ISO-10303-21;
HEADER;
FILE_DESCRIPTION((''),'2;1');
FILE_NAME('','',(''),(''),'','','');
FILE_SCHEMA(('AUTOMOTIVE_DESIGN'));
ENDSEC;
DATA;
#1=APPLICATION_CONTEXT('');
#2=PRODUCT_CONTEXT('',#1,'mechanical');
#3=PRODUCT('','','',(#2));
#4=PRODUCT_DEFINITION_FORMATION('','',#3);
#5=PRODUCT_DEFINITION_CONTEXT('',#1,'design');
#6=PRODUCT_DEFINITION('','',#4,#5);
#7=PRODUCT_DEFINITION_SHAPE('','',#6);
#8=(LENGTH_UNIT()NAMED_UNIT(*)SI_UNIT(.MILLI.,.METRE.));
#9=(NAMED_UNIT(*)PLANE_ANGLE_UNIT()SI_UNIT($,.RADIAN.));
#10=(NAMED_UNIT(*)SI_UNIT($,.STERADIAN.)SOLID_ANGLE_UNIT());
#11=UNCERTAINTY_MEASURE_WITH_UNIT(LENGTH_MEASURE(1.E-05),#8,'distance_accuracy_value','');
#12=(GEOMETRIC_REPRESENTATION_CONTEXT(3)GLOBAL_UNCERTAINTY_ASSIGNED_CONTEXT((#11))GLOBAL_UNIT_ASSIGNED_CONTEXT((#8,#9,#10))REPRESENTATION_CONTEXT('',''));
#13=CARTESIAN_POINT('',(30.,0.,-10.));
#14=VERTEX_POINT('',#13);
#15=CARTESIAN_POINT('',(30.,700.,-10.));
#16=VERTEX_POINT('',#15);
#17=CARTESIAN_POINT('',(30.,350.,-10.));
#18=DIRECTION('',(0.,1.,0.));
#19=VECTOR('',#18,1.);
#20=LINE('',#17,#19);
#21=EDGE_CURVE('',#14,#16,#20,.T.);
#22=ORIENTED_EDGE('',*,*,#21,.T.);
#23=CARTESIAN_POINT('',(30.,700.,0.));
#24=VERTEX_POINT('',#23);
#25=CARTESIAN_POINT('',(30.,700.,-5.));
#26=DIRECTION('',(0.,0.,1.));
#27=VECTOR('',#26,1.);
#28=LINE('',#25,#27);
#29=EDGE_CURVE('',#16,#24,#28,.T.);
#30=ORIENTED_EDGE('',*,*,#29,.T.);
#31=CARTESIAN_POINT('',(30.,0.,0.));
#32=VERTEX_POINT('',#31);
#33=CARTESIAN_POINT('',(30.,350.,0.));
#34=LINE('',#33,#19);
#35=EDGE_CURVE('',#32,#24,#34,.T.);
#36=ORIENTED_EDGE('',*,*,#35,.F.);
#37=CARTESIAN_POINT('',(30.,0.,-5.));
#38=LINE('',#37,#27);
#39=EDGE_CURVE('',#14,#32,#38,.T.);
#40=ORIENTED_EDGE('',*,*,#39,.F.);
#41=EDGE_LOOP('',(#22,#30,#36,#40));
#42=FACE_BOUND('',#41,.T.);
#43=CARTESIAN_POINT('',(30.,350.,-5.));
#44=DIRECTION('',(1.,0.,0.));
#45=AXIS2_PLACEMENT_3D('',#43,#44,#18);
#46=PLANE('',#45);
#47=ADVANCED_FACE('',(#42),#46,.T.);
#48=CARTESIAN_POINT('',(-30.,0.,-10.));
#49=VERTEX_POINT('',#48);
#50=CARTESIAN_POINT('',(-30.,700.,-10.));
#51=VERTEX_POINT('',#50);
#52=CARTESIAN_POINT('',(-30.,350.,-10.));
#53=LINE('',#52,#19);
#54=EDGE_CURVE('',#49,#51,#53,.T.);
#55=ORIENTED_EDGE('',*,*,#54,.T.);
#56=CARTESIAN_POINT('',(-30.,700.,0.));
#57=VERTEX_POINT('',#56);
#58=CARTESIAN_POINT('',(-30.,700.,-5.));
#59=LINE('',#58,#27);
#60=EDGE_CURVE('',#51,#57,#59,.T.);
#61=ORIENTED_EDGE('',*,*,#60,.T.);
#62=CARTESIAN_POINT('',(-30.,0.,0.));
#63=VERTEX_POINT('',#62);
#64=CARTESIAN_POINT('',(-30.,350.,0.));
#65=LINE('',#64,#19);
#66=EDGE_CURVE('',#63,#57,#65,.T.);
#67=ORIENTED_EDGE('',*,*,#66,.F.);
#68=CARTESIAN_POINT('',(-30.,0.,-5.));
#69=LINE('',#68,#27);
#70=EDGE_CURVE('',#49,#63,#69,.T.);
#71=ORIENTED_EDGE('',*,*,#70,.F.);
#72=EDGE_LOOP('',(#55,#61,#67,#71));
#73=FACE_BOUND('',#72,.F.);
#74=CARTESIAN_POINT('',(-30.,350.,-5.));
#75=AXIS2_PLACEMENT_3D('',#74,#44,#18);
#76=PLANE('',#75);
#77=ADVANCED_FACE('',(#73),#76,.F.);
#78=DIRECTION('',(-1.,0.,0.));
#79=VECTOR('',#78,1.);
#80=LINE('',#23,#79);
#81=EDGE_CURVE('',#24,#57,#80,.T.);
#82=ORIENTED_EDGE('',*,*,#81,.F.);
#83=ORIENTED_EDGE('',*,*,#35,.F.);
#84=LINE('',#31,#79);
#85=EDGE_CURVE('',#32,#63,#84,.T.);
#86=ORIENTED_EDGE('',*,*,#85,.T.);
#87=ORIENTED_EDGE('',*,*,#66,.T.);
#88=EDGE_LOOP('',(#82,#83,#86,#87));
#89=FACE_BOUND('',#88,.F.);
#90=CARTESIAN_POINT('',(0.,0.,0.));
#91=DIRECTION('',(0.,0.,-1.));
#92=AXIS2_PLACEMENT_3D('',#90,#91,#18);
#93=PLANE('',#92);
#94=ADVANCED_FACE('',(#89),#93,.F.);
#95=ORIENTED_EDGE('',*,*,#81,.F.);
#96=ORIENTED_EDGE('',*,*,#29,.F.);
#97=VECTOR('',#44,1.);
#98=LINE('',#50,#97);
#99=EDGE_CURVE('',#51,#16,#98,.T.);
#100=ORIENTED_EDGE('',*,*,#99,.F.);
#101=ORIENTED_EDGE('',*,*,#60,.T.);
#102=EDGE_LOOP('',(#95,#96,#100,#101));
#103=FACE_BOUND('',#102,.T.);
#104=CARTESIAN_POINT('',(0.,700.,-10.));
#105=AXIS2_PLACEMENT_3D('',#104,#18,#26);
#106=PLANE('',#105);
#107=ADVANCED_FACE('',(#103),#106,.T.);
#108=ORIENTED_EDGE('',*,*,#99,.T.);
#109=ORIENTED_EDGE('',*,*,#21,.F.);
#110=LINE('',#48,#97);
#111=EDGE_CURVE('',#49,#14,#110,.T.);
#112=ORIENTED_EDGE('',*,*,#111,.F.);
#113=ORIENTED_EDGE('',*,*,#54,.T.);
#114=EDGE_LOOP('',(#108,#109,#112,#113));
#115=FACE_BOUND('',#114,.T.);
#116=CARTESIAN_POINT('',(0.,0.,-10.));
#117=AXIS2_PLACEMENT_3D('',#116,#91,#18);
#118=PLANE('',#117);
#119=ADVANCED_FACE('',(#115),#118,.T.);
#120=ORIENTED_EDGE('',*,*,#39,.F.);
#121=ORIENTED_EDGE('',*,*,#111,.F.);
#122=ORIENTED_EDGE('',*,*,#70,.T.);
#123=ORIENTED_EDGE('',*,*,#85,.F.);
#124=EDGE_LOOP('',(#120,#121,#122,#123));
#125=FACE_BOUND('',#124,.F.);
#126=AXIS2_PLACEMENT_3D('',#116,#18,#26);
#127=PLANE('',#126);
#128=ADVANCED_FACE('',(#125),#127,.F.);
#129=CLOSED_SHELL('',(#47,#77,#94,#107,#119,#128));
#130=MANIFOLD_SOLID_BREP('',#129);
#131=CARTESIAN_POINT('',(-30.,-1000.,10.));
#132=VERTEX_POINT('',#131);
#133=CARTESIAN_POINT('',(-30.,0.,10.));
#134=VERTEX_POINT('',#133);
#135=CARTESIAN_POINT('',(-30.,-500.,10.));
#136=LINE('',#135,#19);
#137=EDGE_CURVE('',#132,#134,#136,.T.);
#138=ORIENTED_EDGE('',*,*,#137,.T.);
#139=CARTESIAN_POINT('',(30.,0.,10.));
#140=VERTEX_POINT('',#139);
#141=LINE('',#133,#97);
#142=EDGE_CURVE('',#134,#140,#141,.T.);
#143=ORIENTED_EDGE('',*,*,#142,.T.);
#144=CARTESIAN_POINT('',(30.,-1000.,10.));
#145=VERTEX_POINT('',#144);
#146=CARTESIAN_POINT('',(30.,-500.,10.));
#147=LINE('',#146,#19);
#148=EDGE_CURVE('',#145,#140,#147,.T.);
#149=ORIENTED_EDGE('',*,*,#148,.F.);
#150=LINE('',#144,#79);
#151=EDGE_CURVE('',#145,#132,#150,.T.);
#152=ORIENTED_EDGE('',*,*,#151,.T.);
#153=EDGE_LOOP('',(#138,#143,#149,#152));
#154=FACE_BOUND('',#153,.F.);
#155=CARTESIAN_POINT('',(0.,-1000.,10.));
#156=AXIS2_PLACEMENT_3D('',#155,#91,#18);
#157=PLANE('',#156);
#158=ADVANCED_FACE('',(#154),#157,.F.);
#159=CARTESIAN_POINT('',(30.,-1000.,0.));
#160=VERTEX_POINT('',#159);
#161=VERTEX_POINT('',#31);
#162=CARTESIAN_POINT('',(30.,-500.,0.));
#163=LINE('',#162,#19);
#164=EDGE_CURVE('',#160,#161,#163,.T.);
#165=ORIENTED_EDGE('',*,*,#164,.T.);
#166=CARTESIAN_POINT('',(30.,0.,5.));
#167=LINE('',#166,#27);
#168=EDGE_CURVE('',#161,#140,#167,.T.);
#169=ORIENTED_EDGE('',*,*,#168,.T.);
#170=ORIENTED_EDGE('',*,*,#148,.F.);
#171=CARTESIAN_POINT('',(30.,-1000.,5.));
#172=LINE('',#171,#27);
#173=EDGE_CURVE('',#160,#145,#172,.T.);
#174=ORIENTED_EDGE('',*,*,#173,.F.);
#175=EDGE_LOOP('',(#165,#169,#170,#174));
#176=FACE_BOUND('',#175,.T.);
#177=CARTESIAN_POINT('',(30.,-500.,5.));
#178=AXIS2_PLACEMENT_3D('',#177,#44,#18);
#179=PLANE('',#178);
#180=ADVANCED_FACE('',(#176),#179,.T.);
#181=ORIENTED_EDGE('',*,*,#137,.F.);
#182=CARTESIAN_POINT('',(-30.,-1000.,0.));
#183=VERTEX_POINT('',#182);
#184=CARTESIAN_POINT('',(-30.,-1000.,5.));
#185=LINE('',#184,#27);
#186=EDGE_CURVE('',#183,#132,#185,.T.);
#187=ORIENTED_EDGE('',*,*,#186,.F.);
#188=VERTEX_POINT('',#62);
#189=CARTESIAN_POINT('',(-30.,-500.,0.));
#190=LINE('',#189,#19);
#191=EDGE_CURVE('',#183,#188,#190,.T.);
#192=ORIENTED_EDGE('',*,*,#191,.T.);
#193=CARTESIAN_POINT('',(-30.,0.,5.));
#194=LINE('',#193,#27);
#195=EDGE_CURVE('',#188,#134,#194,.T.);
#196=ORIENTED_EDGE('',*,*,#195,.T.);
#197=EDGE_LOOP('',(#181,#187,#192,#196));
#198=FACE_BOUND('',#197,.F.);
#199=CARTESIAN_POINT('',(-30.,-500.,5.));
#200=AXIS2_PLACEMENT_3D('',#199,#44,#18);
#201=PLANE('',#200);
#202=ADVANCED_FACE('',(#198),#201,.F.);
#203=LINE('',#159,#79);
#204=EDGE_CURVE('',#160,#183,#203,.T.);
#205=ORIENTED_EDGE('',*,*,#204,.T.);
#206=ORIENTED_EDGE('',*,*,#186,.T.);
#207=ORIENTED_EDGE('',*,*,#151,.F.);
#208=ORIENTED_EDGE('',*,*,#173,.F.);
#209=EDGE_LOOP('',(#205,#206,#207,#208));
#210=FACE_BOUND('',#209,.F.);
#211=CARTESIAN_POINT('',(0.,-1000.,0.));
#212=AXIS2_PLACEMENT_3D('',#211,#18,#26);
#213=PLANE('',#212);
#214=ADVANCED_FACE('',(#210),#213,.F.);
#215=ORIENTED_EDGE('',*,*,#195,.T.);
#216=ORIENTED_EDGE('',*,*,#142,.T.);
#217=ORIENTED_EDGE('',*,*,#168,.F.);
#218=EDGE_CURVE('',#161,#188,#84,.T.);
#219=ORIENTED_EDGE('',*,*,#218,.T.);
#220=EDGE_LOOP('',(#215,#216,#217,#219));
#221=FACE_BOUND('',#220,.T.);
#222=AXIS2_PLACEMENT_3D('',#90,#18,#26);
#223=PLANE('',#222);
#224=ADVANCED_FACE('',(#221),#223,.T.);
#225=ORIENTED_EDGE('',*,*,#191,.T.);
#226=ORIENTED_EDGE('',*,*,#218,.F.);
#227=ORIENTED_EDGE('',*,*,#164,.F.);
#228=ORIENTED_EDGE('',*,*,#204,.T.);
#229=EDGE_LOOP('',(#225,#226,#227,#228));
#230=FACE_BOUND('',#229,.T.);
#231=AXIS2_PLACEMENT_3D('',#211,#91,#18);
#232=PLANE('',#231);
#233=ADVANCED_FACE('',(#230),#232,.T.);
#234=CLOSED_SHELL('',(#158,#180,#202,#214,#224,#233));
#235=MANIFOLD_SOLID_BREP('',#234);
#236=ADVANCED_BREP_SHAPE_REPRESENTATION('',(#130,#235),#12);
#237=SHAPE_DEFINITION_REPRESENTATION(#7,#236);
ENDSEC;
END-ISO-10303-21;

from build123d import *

# Parameters (mm, degrees)
F0_W     = 1000
F0_H     = 10
F0_W_2   = 700
F1_DEPTH = 30


with BuildPart() as f1:
    # F0 (on Right) → F1 (new body, symmetric)
    with BuildSketch(Plane.YZ):
        with Locations((-500, 5)):
            Rectangle(F0_W, F0_H)
        with Locations((350, -5)):
            Rectangle(F0_W_2, F0_H)
    extrude(amount=F1_DEPTH, both=True)


solid = f1.part
